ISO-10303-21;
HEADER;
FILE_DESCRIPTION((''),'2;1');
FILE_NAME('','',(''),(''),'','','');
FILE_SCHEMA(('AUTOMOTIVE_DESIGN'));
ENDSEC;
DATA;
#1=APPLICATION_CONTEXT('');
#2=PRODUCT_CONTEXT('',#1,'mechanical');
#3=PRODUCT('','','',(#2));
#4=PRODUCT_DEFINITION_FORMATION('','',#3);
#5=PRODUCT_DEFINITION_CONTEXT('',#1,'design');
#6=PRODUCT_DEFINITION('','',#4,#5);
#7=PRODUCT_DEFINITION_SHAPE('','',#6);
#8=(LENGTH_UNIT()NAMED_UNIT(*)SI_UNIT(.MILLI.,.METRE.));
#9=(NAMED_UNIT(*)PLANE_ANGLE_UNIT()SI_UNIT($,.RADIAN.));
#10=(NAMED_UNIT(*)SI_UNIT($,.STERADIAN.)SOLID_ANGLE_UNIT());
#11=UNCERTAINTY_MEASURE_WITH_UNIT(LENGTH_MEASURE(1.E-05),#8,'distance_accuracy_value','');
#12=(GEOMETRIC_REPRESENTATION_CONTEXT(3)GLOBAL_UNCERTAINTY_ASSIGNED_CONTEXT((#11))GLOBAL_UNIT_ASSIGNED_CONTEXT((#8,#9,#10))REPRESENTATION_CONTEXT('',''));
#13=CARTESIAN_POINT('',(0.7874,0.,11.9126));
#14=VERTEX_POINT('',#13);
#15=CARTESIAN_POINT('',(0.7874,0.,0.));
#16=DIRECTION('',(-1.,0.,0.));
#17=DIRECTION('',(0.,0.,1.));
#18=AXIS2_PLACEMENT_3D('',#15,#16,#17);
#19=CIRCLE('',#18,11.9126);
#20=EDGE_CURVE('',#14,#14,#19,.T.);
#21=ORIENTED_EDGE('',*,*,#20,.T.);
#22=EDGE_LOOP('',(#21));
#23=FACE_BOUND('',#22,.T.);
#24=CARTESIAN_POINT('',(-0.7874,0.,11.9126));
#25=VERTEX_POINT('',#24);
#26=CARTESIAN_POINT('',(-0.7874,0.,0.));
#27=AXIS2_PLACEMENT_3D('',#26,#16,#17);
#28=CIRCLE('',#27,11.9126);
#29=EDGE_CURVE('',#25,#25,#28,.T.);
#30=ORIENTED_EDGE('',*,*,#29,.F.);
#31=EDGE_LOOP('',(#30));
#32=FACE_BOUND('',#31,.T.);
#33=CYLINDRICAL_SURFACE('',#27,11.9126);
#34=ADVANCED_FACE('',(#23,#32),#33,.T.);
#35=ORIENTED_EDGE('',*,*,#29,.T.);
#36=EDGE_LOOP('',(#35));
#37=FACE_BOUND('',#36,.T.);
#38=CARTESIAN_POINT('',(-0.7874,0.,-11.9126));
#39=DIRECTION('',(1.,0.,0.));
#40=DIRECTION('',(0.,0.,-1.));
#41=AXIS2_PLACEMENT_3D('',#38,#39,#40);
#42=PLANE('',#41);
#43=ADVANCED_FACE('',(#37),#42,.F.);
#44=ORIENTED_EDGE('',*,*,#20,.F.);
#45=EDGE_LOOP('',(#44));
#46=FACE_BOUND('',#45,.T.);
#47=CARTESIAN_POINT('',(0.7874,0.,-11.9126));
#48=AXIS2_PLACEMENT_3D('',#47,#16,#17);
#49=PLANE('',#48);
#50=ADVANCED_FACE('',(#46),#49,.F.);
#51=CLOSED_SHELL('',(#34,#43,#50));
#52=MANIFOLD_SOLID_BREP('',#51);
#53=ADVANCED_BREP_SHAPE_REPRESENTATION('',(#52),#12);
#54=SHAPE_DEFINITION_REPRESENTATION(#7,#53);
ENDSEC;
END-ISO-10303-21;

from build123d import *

# Parameters (mm, degrees)
SKETCH1_W = 1.5748
SKETCH1_H = 11.9126


with BuildPart() as part:
    # Sketch1 → Revolve1 (revolve)
    with BuildSketch(Plane(origin=(0, 0, 0), x_dir=(1, 0, 0), z_dir=(0, 1, 0)), mode=Mode.PRIVATE) as revolve1_sk:
        with Locations((0, 5.9563)):
            Rectangle(SKETCH1_W, SKETCH1_H)
    revolve(revolve1_sk.sketch.rotate(Axis((-0.7874, 0, 0), (1, 0, 0)), 180), axis=Axis((-0.7874, 0, 0), (1, 0, 0)))


solid = part.part
